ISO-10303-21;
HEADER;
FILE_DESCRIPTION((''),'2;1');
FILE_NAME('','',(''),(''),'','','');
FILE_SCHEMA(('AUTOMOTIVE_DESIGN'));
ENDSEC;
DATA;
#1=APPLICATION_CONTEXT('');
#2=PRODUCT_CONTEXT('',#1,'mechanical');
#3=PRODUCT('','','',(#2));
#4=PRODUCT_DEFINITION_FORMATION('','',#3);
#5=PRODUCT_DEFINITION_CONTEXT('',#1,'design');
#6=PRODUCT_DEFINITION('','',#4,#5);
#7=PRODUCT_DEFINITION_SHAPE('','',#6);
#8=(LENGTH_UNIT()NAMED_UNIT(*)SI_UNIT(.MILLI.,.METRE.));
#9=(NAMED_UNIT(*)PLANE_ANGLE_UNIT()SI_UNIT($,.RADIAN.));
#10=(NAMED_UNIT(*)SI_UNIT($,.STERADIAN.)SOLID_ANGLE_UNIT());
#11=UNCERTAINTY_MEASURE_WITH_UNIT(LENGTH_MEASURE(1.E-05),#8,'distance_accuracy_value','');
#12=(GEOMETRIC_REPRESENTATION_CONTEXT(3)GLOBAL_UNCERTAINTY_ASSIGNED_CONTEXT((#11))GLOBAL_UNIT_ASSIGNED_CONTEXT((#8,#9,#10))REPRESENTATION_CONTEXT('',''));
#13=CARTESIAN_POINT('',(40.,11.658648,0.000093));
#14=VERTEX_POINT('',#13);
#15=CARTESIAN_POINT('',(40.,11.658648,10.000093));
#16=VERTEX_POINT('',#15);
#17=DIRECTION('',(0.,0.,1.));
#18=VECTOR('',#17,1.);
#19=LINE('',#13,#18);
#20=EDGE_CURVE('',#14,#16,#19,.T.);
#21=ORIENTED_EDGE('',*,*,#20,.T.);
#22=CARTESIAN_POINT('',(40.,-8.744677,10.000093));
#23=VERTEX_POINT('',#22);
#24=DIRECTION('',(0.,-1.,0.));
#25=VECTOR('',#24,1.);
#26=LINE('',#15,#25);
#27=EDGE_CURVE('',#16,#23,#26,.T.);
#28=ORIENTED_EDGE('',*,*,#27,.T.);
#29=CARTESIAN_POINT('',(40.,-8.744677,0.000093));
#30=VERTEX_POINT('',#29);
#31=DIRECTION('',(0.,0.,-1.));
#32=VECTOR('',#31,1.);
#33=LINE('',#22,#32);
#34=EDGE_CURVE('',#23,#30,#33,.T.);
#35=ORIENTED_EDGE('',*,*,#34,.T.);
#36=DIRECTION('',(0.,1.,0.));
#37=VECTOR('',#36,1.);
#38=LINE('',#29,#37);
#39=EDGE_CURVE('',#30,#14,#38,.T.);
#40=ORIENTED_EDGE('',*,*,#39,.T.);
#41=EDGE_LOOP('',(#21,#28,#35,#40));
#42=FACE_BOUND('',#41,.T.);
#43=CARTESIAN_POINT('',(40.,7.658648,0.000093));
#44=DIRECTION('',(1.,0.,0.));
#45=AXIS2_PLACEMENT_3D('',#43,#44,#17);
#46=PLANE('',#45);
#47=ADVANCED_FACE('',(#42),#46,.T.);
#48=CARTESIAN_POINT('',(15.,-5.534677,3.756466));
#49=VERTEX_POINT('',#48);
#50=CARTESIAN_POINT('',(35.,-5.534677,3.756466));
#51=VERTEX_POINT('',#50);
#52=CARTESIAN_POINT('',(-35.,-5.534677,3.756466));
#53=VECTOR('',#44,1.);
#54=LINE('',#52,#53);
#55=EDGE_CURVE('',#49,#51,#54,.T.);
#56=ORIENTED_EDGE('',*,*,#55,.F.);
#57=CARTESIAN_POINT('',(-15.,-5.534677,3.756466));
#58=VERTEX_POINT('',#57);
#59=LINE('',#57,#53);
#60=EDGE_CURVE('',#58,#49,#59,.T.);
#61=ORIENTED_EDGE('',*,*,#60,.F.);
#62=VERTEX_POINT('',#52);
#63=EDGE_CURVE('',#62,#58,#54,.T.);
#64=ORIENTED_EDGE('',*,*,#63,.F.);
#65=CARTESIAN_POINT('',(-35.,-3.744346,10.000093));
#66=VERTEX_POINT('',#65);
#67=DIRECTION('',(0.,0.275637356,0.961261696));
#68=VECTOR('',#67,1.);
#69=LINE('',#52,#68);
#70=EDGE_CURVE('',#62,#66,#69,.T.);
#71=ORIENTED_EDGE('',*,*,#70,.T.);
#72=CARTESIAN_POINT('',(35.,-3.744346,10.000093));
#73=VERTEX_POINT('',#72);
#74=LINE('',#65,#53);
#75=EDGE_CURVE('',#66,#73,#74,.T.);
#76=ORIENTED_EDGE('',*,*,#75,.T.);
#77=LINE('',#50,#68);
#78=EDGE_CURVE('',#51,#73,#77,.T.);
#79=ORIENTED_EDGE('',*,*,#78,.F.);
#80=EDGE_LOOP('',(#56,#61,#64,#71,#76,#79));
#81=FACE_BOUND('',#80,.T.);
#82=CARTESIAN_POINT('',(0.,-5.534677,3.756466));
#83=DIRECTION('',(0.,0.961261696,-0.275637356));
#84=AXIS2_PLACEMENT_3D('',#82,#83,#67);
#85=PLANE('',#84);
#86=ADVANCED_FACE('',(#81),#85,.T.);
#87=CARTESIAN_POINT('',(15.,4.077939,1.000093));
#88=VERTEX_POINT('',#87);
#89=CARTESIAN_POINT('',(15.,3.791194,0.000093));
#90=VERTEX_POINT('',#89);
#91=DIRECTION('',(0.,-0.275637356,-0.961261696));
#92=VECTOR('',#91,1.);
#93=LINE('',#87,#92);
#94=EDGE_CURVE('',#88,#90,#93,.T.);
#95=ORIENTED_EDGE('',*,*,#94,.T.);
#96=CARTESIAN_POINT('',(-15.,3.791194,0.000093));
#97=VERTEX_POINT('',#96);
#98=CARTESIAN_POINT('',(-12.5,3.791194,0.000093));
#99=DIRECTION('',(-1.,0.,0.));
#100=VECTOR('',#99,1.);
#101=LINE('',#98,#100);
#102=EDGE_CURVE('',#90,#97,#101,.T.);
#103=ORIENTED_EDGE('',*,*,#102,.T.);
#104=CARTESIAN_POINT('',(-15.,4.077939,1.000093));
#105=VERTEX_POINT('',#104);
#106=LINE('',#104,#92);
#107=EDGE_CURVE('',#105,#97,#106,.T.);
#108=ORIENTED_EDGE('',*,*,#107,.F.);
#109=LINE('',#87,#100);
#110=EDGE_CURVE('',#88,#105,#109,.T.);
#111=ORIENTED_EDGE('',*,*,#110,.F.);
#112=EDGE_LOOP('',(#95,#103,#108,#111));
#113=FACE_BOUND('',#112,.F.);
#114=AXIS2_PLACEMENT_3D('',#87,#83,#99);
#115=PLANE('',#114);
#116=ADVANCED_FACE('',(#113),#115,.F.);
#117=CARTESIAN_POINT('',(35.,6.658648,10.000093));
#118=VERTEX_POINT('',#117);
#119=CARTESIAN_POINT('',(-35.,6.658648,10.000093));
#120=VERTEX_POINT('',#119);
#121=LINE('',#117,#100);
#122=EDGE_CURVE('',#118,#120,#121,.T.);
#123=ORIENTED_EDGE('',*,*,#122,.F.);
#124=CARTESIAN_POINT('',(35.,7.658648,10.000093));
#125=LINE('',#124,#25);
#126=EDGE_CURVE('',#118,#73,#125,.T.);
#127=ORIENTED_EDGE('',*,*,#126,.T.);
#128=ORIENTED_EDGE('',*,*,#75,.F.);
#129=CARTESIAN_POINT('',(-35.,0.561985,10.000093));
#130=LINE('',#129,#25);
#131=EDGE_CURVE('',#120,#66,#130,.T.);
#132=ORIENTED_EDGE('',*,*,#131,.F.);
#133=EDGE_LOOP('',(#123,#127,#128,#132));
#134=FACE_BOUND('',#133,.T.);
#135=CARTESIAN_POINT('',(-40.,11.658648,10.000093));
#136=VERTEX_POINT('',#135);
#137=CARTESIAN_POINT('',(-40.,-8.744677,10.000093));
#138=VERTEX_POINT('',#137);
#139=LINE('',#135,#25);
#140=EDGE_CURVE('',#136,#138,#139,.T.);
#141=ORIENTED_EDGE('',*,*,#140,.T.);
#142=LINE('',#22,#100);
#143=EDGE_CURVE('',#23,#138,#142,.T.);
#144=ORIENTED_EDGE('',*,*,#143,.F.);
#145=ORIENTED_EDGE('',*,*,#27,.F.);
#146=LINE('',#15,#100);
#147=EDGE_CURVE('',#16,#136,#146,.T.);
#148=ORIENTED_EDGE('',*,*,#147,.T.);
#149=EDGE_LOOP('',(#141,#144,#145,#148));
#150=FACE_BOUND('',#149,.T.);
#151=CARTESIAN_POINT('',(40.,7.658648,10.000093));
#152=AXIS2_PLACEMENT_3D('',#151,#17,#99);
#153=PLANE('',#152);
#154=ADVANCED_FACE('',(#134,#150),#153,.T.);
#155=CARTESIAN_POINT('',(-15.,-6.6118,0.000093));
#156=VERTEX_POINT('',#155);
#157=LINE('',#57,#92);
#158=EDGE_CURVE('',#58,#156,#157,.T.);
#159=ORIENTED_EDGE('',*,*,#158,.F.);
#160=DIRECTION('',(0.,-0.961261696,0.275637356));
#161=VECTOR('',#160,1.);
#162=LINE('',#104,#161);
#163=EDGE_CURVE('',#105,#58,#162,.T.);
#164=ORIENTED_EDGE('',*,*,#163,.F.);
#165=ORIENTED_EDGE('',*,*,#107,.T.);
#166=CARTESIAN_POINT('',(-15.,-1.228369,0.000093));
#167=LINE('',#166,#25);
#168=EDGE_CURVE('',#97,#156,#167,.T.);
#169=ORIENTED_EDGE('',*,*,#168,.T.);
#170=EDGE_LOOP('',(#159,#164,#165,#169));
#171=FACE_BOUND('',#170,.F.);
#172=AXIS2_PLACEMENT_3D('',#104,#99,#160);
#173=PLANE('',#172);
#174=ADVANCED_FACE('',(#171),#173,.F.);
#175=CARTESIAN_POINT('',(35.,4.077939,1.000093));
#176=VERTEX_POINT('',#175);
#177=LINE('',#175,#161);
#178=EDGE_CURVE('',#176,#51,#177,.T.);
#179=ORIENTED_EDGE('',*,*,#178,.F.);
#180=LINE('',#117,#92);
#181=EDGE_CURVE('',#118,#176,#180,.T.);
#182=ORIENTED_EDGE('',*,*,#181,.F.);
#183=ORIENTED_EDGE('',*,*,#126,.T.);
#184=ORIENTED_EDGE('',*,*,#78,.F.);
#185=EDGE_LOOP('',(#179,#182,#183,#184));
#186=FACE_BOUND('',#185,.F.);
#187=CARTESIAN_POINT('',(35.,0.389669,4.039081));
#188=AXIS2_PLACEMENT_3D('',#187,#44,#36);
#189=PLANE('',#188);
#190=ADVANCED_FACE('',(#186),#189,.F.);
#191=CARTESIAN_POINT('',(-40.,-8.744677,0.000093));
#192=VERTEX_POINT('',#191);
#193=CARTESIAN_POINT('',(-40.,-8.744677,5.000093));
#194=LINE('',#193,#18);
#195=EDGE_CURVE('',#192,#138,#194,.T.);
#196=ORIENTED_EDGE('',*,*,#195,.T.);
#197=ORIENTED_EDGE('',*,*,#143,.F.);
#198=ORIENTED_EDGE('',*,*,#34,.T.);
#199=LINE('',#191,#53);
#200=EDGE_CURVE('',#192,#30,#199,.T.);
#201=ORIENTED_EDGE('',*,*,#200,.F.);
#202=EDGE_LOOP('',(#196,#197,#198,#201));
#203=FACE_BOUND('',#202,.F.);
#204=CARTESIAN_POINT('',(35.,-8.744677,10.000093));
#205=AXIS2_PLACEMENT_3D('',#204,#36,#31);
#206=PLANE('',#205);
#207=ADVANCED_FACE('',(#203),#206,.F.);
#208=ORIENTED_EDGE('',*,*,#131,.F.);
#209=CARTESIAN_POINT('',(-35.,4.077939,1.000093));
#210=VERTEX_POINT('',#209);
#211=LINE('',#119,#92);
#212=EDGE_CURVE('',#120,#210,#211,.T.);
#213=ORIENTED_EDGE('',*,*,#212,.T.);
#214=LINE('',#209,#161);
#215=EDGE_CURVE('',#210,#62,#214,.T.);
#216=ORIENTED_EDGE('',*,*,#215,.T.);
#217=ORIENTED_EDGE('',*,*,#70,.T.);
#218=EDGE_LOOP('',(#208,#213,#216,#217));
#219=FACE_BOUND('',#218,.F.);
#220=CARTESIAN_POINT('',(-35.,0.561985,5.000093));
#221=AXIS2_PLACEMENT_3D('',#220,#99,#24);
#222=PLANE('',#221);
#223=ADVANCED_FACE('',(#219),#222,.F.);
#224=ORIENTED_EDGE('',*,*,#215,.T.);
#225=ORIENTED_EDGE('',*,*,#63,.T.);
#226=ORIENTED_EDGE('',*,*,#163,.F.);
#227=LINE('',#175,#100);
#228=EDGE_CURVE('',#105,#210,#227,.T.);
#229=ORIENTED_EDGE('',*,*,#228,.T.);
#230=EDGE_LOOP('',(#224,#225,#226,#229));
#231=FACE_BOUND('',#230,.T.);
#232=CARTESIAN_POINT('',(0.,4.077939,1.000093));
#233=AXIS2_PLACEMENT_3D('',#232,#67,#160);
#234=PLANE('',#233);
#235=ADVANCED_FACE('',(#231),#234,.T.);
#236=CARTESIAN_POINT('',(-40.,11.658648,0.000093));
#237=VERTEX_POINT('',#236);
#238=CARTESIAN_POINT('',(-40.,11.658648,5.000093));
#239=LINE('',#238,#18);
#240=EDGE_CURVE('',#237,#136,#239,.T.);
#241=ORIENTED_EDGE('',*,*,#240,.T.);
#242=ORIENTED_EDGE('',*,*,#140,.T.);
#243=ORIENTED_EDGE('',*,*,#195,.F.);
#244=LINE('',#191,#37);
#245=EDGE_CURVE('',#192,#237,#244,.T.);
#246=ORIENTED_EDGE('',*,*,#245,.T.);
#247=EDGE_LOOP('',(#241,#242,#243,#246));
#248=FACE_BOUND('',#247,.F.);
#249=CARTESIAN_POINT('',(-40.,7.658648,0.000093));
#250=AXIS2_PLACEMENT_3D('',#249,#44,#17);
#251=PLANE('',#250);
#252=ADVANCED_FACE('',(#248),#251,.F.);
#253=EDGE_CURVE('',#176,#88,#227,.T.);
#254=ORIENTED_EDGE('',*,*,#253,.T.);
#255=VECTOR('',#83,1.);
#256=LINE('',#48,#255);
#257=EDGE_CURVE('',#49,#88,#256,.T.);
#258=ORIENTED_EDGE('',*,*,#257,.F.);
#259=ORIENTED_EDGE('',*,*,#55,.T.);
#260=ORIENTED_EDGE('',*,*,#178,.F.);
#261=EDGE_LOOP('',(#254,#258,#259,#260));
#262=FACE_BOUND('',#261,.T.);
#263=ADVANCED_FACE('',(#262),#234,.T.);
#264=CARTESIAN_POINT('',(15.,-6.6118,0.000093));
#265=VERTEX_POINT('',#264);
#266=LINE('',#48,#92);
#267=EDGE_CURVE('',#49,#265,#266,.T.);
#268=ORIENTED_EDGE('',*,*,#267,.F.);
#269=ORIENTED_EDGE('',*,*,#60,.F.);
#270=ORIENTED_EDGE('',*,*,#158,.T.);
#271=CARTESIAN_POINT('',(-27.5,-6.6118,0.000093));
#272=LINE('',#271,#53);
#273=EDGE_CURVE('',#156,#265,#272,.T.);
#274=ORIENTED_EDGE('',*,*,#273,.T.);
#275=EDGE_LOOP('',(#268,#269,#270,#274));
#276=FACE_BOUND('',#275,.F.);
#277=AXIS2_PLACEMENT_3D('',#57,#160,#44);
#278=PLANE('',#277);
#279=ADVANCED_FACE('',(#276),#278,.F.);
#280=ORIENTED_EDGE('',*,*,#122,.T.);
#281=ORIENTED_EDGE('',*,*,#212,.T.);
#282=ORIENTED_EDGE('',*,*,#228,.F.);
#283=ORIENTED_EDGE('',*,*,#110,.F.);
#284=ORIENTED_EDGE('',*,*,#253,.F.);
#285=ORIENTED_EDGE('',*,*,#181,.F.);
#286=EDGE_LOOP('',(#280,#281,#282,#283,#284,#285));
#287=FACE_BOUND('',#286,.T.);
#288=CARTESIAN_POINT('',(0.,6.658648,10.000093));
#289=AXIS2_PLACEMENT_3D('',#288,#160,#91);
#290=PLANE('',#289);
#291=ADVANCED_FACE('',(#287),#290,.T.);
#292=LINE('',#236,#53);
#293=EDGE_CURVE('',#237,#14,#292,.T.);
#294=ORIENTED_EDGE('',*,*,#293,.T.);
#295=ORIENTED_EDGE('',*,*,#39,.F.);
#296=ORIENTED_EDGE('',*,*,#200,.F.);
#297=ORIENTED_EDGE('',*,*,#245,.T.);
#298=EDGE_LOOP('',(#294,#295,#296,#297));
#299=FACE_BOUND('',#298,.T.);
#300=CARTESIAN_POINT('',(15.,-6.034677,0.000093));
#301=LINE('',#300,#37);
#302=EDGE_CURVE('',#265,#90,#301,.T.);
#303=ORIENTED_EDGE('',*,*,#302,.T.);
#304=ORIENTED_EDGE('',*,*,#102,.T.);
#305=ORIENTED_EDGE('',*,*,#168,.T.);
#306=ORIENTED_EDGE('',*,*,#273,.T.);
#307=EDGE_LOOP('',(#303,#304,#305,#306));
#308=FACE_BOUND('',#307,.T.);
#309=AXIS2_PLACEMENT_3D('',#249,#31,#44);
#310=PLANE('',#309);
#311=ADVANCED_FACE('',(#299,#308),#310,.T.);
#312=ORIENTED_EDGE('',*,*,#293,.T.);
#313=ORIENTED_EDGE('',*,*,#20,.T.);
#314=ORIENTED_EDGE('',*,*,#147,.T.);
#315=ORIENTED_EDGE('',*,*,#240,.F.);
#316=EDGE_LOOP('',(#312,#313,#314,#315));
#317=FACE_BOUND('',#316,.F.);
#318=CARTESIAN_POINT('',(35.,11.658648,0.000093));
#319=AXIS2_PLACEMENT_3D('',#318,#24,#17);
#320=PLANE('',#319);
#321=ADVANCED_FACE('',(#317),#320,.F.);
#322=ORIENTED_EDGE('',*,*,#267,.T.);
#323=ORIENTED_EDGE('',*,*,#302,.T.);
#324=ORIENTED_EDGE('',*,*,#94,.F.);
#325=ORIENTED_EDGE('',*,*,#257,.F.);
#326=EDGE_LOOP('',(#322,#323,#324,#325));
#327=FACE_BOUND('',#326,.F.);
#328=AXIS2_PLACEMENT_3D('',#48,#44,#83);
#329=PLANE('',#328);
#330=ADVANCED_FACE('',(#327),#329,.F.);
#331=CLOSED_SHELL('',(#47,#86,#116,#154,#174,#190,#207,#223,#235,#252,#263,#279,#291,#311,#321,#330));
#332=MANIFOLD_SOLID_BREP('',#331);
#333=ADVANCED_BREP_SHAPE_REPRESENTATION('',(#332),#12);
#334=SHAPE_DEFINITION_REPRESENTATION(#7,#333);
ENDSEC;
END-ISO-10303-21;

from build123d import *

# Parameters (mm, degrees)
F1_DEPTH  = 35
F3_W      = 14.1933254312
F3_H      = 10
F4_DEPTH  = 5
F6_DEPTH  = 5
F8_DEPTH  = 0.5
F9_DEPTH  = 200
F10_DEPTH = 1.71
F11_DEPTH = 4


with BuildPart() as f1:
    # F0 (on Right) → F1 (new body, symmetric)
    with BuildSketch(Plane.YZ):
        Polygon((4.0779394949, -1.9816074769), (-5.5346774645, 0.7747660812), (-3.7443463919, 7.0183925231), (-6.5346774645, 7.0183925231), (-6.5346774645, -2.9816074769), (7.6586479667, -2.9816074769), (7.6586479667, 7.0183925231), (6.6586479667, 7.0183925231), align=None)
    extrude(amount=F1_DEPTH, both=True)


with BuildPart() as f1_1:
    # F2: moved
    add(f1.part.moved(Location((0, 0, 2.9817))))

    # F3 (on face) → F4 (join)
    with BuildSketch(Plane(origin=(-35, 0, 0), x_dir=(0, -1, 0), z_dir=(-1, 0, 0))):
        with Locations((-0.5619852511, 5.0000925231)):
            Rectangle(F3_W, F3_H)
    extrude(amount=F4_DEPTH)

    # F5 (on face) → F6 (join)
    with BuildSketch(Plane.YZ.offset(35)):
        Polygon((-3.7443463919, 10.0000925231), (-6.5346774645, 10.0000925231), (-6.5346774645, 9.25231e-05), (7.6586479667, 9.25231e-05), (7.6586479667, 10.0000925231), (6.6586479667, 10.0000925231), (4.0779394949, 1.0000925231), (-5.5346774645, 3.7564660812), align=None)
        Polygon((6.6586479667, 10.0000925231), (-3.7443463919, 10.0000925231), (-5.5346774645, 3.7564660812), (4.0779394949, 1.0000925231), align=None)
    extrude(amount=F6_DEPTH)

    # F8 (add): a face of the model
    f8_faces = [f1_1.faces().sort_by_distance(p)[0] for p in [
        (0, -6.5346774645, 5.0000925231),
    ]]
    extrude(f8_faces, amount=F8_DEPTH)

    # F7 (on face) → F9 (cut)
    with BuildSketch(Plane(origin=(0, 0.574809482, 2.00459889), x_dir=(1, 0, 0), z_dir=(0, 0.2756373558, 0.9612616959))):
        Polygon((15, 3.6443041761), (0, 3.6443041761), (-15, 3.6443041761), (-15, -6.3556958239), (15, -6.3556958239), align=None)
    extrude(amount=-F9_DEPTH, mode=Mode.SUBTRACT)

    # F10 (add): a face of the model
    f10_faces = [f1_1.faces().sort_by_distance(p)[0] for p in [
        (0, -7.0346774645, 5.0000925231),
    ]]
    extrude(f10_faces, amount=F10_DEPTH)

    # F11 (add): a face of the model
    f11_faces = [f1_1.faces().sort_by_distance(p)[0] for p in [
        (0, 7.6586479667, 5.0000925231),
    ]]
    extrude(f11_faces, amount=F11_DEPTH)


solid = f1_1.part
